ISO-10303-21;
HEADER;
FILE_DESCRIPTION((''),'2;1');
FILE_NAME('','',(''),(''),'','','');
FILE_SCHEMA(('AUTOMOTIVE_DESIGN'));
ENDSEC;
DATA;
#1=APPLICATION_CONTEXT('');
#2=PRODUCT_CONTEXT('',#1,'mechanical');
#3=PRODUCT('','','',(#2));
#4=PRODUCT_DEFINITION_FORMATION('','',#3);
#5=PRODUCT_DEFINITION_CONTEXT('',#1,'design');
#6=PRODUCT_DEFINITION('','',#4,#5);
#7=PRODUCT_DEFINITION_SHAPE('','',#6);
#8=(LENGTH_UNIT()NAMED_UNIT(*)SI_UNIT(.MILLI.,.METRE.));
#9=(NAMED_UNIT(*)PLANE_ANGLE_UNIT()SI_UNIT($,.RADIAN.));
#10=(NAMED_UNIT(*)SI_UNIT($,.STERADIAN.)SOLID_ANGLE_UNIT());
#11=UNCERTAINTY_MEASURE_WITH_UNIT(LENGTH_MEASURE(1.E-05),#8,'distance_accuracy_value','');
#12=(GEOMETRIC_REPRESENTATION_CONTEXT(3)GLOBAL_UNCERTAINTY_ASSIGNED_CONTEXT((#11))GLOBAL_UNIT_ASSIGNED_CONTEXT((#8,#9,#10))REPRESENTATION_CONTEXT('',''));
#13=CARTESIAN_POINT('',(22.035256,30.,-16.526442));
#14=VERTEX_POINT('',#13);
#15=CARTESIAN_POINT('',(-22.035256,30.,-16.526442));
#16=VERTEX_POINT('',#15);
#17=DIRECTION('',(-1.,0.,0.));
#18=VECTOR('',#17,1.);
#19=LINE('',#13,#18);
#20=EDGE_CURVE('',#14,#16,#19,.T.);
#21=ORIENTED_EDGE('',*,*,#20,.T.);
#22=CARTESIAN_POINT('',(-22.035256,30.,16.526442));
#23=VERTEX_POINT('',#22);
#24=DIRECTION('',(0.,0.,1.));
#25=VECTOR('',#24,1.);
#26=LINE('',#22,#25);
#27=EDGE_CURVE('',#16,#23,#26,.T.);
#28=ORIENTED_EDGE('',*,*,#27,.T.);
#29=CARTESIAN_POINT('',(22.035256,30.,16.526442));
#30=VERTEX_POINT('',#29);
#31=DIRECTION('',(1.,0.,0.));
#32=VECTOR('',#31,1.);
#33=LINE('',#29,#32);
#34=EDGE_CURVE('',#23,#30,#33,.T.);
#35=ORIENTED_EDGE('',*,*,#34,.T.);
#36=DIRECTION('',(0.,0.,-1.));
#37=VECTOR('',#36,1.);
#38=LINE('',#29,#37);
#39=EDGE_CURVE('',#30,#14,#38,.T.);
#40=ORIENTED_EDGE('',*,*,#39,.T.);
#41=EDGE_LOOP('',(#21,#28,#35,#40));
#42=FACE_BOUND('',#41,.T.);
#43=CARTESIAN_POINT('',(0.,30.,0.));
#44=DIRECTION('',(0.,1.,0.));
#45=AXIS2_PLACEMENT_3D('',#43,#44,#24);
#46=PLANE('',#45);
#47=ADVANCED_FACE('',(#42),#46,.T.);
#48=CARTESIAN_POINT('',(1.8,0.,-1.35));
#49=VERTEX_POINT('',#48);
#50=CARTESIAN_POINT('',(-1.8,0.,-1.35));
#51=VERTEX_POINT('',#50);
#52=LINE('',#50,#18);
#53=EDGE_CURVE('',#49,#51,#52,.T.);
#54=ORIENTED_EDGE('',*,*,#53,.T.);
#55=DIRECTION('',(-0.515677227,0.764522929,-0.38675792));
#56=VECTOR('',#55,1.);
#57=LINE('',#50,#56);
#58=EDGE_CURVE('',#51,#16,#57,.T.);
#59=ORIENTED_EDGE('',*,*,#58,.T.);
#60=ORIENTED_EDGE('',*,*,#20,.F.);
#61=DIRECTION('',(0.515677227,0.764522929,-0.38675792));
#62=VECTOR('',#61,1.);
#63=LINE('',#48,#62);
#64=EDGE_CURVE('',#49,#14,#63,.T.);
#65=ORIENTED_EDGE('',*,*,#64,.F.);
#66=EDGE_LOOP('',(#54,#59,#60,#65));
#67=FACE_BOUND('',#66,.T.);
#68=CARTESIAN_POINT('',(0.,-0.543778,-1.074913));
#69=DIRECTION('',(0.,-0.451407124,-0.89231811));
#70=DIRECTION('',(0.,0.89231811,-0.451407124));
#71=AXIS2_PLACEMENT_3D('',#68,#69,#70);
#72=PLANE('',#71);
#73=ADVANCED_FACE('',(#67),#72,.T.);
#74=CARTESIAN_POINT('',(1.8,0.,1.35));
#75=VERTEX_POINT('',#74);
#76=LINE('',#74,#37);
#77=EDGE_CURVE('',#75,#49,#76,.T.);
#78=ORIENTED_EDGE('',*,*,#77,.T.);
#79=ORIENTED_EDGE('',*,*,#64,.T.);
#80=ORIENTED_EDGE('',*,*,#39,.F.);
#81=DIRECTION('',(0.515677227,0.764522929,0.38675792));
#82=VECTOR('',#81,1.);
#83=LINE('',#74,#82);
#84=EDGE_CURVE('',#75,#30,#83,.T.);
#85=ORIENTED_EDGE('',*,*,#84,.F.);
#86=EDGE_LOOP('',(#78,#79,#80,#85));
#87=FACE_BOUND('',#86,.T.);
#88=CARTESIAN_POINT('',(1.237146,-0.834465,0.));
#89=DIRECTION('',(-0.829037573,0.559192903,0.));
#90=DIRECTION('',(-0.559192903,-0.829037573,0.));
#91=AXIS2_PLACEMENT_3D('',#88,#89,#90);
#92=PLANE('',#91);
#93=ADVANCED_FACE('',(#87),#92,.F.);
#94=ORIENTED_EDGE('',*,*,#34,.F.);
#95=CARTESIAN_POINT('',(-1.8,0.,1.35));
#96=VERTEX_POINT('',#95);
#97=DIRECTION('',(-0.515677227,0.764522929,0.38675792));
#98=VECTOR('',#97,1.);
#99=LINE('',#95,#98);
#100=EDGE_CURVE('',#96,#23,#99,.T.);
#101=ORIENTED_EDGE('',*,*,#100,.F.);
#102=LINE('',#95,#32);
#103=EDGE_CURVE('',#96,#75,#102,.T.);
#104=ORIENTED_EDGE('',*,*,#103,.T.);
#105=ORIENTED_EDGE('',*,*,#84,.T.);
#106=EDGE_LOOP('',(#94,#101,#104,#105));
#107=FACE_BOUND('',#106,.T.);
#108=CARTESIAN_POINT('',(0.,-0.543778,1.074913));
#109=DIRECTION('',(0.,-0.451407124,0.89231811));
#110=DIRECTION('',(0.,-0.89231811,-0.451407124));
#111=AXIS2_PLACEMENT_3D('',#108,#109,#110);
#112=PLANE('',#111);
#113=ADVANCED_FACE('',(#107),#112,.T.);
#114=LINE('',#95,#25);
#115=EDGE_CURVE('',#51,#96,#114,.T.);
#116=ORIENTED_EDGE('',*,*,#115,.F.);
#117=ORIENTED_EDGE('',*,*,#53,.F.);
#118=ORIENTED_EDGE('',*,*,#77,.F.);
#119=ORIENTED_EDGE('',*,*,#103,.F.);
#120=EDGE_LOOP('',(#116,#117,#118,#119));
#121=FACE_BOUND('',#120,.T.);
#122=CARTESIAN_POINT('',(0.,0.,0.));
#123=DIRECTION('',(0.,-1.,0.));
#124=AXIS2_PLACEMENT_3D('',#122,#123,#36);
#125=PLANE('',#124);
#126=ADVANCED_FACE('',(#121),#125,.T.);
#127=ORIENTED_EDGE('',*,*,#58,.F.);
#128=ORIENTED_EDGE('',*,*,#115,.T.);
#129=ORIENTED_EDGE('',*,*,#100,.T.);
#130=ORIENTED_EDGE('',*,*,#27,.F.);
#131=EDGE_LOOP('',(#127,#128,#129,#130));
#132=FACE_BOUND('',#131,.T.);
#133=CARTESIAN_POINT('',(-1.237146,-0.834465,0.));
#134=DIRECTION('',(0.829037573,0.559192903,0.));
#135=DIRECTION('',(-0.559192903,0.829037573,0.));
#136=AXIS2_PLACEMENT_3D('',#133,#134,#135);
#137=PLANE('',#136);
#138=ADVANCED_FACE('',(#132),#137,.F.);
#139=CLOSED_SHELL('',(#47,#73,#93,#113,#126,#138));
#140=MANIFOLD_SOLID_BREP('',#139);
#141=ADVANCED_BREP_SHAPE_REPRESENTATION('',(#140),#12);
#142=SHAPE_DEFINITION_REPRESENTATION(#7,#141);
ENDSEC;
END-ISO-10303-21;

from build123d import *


with BuildPart() as part:
    # Sketch1 → Loft2 section 0
    with BuildSketch(Plane(origin=(0, 0, 0), x_dir=(1, 0, 0), z_dir=(0, 1, 0))):
        with BuildLine():
            Line((-1.8, -1.35), (1.8, -1.35))
            Line((1.8, -1.35), (1.8, 1.35))
            Line((1.8, 1.35), (-1.8, 1.35))
            Line((-1.8, 1.35), (-1.8, -1.35))
        make_face()
    # Sketch5 → Loft2 section 1
    with BuildSketch(Plane(origin=(0, 30, 0), x_dir=(1, 0, 0), z_dir=(0, 1, 0))):
        with BuildLine():
            Line((22.035255505, -16.526441629), (-22.035255505, -16.526441629))
            Line((-22.035255505, -16.526441629), (-22.035255505, 16.526441629))
            Line((-22.035255505, 16.526441629), (22.035255505, 16.526441629))
            Line((22.035255505, 16.526441629), (22.035255505, -16.526441629))
        make_face()
    loft()


solid = part.part
